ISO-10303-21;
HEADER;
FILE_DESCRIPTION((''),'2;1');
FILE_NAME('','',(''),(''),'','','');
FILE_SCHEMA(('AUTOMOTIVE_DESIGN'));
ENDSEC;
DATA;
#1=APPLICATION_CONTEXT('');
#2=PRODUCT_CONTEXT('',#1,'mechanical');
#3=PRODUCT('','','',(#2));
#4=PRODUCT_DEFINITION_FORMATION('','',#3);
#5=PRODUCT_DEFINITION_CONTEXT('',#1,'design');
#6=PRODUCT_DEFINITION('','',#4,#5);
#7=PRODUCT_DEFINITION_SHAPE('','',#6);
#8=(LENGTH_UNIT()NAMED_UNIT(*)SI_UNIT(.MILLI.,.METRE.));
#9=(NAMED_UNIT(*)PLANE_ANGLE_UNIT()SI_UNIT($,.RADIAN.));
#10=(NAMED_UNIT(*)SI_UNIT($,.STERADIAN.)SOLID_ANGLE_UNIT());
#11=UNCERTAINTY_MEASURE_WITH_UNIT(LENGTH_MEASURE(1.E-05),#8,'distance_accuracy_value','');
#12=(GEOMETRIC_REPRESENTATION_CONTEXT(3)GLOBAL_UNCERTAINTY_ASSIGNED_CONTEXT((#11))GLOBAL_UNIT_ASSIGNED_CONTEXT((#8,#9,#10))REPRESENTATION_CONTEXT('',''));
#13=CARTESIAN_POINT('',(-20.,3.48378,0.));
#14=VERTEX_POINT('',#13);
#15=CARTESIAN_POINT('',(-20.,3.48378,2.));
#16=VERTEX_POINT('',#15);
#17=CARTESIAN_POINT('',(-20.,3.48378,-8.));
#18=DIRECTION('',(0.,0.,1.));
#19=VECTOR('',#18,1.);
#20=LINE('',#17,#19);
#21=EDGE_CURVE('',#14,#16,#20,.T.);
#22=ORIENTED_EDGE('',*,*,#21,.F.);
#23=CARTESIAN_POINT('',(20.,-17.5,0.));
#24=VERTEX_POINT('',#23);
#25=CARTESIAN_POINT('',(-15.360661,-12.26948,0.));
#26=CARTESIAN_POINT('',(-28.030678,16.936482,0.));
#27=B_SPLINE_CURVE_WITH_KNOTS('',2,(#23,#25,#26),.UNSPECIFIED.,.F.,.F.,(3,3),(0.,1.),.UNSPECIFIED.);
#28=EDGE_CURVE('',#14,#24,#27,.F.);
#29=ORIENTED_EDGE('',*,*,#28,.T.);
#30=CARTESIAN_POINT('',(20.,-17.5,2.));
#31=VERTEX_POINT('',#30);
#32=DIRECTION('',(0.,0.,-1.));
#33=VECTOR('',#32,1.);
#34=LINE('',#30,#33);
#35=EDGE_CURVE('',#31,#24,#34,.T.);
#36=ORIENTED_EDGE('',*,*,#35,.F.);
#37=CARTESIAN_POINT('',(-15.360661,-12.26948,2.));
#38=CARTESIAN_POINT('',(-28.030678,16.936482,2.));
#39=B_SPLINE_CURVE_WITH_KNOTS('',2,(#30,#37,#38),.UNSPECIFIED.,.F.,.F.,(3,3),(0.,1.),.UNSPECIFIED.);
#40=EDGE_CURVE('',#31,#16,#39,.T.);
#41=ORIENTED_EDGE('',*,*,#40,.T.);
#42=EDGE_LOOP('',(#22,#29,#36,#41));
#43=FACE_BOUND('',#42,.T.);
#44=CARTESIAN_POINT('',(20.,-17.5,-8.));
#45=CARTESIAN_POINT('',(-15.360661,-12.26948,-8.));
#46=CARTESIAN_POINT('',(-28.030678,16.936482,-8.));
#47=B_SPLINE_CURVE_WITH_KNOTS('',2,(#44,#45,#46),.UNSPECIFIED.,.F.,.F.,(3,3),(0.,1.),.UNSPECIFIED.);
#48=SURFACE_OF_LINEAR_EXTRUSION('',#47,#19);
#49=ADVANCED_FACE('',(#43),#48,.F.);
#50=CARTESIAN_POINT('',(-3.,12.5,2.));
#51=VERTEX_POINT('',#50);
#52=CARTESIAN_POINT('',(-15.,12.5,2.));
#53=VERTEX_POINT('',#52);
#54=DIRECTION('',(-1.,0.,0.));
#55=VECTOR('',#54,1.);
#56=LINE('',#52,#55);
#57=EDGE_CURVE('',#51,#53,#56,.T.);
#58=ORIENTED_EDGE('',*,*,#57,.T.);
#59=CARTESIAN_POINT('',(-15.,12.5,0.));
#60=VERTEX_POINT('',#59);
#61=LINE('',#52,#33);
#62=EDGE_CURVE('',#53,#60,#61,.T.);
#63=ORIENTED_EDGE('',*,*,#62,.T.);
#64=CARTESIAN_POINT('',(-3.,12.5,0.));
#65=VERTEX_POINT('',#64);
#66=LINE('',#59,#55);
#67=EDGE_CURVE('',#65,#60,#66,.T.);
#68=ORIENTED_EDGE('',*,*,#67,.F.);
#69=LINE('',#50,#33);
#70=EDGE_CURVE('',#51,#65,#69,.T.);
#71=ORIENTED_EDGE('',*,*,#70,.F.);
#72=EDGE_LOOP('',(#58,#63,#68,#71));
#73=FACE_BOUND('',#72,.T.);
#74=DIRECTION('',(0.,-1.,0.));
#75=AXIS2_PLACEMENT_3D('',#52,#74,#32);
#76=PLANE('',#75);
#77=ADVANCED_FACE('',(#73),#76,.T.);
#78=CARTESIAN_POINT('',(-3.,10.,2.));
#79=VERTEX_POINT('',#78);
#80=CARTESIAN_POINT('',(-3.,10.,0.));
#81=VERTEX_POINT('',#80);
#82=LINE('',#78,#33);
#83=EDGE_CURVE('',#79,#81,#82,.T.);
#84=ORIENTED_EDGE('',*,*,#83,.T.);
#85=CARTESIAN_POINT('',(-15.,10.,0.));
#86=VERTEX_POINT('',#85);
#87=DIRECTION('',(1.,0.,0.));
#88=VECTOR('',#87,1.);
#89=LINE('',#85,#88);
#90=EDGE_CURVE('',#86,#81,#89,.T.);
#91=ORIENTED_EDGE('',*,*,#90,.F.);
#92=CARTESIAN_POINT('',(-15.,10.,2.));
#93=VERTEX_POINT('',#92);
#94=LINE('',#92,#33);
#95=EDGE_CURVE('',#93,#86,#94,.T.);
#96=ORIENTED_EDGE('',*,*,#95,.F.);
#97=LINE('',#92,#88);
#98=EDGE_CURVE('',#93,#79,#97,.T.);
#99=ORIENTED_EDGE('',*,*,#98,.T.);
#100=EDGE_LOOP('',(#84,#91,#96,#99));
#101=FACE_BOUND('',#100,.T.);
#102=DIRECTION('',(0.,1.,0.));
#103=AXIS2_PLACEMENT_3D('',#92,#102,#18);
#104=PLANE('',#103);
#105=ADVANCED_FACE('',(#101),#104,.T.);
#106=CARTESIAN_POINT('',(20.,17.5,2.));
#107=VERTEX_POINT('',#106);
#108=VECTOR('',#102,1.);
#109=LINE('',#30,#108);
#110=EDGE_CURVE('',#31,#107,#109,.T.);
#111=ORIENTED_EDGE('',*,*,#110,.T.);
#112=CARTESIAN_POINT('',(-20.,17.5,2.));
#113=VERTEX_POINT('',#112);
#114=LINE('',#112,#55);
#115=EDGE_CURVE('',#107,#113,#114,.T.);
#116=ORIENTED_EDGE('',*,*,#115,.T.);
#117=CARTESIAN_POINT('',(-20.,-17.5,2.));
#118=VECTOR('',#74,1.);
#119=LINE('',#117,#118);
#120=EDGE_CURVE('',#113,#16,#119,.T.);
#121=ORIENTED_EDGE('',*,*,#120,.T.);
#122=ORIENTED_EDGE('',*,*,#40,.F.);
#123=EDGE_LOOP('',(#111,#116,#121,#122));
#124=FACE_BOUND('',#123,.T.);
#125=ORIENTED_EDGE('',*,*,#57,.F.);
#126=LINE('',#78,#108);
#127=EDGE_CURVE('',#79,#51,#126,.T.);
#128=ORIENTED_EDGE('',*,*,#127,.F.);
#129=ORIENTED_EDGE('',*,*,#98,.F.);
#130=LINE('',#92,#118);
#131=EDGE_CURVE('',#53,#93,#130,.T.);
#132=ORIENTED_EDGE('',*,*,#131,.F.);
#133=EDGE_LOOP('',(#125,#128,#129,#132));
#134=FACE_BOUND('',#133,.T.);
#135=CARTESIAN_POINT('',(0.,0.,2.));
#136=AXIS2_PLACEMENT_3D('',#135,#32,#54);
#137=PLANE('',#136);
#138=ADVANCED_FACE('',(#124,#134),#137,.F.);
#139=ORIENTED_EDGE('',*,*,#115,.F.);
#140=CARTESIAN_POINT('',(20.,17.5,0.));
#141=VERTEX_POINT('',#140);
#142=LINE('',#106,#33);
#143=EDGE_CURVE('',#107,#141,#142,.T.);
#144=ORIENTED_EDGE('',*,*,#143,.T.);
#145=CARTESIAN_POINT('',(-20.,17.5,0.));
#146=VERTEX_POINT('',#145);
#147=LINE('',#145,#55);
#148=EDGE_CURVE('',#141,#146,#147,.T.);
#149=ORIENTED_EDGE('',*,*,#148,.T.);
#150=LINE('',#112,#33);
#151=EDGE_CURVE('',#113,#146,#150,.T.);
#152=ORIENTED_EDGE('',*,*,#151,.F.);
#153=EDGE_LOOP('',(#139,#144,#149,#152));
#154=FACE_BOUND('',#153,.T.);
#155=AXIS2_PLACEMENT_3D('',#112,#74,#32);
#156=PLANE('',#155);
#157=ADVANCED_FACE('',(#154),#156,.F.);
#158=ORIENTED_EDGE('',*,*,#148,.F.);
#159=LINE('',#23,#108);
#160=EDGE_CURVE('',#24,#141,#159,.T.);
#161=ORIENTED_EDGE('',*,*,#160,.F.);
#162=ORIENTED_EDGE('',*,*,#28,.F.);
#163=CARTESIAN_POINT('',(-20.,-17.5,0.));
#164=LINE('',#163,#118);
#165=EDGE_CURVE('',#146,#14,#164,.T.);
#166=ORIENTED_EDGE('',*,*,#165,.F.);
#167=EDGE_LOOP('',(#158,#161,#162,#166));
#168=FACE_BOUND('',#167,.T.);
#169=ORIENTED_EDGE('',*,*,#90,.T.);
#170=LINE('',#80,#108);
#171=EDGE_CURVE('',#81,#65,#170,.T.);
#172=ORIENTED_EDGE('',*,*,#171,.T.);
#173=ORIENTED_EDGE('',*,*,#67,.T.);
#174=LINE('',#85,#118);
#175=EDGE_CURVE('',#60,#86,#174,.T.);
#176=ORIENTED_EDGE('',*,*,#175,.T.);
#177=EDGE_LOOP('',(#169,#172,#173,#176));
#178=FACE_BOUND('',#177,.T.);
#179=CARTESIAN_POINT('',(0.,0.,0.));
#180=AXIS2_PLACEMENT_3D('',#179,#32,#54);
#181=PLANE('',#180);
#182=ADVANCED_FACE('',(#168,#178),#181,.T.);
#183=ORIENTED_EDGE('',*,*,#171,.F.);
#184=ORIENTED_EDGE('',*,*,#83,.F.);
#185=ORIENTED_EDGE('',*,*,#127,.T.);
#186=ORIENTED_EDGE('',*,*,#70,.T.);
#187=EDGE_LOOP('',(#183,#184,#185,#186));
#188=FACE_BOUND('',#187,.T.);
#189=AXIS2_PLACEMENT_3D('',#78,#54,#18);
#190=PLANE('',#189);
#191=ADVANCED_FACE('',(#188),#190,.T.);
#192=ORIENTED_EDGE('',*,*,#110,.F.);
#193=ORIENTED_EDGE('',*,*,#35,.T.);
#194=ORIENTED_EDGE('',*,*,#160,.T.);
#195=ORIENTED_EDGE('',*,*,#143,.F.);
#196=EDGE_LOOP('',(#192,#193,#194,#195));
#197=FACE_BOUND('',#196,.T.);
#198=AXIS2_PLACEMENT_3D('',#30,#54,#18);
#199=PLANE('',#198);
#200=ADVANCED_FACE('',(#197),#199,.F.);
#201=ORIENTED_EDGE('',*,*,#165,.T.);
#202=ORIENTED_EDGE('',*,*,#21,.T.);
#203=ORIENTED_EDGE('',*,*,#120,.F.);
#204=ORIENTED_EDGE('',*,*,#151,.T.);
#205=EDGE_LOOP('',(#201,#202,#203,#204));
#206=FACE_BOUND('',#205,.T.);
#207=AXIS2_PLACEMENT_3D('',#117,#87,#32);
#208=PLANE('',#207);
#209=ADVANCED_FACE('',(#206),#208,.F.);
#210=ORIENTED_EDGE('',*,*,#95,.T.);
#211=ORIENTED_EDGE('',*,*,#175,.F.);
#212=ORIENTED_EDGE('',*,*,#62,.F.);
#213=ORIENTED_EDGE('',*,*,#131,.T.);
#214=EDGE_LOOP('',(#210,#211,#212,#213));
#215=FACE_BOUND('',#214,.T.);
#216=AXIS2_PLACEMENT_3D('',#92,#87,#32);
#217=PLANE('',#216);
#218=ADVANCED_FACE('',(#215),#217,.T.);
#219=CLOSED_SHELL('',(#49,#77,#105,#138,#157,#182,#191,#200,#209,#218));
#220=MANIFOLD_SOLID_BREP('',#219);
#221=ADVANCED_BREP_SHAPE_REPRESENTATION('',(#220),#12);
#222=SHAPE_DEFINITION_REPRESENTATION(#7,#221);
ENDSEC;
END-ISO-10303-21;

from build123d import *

# Parameters (mm, degrees)
ESQUISSE1_W             = 40
ESQUISSE1_H             = 35
ESQUISSE1_W_2           = 12
ESQUISSE1_H_2           = 2.5
BOSS_EXTRU_1_DEPTH      = 2
ENL_V_MAT_EXTRU_1_DEPTH = 10


with BuildPart() as part:
    # Esquisse1 → Boss.-Extru.1 (new body)
    with BuildSketch(Plane.XY):
        Rectangle(ESQUISSE1_W, ESQUISSE1_H)
        with Locations((-9, 11.25)):
            Rectangle(ESQUISSE1_W_2, ESQUISSE1_H_2, mode=Mode.SUBTRACT)
    extrude(amount=BOSS_EXTRU_1_DEPTH)

    # Esquisse2 → Enlèv. mat.-Extru.1 (cut)
    with BuildSketch(Plane.XY.offset(2)):
        with BuildLine():
            Line((-28.030678158, 16.936481773), (-23.254011087, -35.479522979))
            Line((-23.254011087, -35.479522979), (20, -17.5))
            add(Edge.make_bspline(
                [(20, -17.5), (-15.360660847, -12.269480231), (-28.030678158, 16.936481773)],
                knots=[0, 0, 0, 1, 1, 1], degree=2))
        make_face()
    extrude(amount=-ENL_V_MAT_EXTRU_1_DEPTH, mode=Mode.SUBTRACT)


solid = part.part
